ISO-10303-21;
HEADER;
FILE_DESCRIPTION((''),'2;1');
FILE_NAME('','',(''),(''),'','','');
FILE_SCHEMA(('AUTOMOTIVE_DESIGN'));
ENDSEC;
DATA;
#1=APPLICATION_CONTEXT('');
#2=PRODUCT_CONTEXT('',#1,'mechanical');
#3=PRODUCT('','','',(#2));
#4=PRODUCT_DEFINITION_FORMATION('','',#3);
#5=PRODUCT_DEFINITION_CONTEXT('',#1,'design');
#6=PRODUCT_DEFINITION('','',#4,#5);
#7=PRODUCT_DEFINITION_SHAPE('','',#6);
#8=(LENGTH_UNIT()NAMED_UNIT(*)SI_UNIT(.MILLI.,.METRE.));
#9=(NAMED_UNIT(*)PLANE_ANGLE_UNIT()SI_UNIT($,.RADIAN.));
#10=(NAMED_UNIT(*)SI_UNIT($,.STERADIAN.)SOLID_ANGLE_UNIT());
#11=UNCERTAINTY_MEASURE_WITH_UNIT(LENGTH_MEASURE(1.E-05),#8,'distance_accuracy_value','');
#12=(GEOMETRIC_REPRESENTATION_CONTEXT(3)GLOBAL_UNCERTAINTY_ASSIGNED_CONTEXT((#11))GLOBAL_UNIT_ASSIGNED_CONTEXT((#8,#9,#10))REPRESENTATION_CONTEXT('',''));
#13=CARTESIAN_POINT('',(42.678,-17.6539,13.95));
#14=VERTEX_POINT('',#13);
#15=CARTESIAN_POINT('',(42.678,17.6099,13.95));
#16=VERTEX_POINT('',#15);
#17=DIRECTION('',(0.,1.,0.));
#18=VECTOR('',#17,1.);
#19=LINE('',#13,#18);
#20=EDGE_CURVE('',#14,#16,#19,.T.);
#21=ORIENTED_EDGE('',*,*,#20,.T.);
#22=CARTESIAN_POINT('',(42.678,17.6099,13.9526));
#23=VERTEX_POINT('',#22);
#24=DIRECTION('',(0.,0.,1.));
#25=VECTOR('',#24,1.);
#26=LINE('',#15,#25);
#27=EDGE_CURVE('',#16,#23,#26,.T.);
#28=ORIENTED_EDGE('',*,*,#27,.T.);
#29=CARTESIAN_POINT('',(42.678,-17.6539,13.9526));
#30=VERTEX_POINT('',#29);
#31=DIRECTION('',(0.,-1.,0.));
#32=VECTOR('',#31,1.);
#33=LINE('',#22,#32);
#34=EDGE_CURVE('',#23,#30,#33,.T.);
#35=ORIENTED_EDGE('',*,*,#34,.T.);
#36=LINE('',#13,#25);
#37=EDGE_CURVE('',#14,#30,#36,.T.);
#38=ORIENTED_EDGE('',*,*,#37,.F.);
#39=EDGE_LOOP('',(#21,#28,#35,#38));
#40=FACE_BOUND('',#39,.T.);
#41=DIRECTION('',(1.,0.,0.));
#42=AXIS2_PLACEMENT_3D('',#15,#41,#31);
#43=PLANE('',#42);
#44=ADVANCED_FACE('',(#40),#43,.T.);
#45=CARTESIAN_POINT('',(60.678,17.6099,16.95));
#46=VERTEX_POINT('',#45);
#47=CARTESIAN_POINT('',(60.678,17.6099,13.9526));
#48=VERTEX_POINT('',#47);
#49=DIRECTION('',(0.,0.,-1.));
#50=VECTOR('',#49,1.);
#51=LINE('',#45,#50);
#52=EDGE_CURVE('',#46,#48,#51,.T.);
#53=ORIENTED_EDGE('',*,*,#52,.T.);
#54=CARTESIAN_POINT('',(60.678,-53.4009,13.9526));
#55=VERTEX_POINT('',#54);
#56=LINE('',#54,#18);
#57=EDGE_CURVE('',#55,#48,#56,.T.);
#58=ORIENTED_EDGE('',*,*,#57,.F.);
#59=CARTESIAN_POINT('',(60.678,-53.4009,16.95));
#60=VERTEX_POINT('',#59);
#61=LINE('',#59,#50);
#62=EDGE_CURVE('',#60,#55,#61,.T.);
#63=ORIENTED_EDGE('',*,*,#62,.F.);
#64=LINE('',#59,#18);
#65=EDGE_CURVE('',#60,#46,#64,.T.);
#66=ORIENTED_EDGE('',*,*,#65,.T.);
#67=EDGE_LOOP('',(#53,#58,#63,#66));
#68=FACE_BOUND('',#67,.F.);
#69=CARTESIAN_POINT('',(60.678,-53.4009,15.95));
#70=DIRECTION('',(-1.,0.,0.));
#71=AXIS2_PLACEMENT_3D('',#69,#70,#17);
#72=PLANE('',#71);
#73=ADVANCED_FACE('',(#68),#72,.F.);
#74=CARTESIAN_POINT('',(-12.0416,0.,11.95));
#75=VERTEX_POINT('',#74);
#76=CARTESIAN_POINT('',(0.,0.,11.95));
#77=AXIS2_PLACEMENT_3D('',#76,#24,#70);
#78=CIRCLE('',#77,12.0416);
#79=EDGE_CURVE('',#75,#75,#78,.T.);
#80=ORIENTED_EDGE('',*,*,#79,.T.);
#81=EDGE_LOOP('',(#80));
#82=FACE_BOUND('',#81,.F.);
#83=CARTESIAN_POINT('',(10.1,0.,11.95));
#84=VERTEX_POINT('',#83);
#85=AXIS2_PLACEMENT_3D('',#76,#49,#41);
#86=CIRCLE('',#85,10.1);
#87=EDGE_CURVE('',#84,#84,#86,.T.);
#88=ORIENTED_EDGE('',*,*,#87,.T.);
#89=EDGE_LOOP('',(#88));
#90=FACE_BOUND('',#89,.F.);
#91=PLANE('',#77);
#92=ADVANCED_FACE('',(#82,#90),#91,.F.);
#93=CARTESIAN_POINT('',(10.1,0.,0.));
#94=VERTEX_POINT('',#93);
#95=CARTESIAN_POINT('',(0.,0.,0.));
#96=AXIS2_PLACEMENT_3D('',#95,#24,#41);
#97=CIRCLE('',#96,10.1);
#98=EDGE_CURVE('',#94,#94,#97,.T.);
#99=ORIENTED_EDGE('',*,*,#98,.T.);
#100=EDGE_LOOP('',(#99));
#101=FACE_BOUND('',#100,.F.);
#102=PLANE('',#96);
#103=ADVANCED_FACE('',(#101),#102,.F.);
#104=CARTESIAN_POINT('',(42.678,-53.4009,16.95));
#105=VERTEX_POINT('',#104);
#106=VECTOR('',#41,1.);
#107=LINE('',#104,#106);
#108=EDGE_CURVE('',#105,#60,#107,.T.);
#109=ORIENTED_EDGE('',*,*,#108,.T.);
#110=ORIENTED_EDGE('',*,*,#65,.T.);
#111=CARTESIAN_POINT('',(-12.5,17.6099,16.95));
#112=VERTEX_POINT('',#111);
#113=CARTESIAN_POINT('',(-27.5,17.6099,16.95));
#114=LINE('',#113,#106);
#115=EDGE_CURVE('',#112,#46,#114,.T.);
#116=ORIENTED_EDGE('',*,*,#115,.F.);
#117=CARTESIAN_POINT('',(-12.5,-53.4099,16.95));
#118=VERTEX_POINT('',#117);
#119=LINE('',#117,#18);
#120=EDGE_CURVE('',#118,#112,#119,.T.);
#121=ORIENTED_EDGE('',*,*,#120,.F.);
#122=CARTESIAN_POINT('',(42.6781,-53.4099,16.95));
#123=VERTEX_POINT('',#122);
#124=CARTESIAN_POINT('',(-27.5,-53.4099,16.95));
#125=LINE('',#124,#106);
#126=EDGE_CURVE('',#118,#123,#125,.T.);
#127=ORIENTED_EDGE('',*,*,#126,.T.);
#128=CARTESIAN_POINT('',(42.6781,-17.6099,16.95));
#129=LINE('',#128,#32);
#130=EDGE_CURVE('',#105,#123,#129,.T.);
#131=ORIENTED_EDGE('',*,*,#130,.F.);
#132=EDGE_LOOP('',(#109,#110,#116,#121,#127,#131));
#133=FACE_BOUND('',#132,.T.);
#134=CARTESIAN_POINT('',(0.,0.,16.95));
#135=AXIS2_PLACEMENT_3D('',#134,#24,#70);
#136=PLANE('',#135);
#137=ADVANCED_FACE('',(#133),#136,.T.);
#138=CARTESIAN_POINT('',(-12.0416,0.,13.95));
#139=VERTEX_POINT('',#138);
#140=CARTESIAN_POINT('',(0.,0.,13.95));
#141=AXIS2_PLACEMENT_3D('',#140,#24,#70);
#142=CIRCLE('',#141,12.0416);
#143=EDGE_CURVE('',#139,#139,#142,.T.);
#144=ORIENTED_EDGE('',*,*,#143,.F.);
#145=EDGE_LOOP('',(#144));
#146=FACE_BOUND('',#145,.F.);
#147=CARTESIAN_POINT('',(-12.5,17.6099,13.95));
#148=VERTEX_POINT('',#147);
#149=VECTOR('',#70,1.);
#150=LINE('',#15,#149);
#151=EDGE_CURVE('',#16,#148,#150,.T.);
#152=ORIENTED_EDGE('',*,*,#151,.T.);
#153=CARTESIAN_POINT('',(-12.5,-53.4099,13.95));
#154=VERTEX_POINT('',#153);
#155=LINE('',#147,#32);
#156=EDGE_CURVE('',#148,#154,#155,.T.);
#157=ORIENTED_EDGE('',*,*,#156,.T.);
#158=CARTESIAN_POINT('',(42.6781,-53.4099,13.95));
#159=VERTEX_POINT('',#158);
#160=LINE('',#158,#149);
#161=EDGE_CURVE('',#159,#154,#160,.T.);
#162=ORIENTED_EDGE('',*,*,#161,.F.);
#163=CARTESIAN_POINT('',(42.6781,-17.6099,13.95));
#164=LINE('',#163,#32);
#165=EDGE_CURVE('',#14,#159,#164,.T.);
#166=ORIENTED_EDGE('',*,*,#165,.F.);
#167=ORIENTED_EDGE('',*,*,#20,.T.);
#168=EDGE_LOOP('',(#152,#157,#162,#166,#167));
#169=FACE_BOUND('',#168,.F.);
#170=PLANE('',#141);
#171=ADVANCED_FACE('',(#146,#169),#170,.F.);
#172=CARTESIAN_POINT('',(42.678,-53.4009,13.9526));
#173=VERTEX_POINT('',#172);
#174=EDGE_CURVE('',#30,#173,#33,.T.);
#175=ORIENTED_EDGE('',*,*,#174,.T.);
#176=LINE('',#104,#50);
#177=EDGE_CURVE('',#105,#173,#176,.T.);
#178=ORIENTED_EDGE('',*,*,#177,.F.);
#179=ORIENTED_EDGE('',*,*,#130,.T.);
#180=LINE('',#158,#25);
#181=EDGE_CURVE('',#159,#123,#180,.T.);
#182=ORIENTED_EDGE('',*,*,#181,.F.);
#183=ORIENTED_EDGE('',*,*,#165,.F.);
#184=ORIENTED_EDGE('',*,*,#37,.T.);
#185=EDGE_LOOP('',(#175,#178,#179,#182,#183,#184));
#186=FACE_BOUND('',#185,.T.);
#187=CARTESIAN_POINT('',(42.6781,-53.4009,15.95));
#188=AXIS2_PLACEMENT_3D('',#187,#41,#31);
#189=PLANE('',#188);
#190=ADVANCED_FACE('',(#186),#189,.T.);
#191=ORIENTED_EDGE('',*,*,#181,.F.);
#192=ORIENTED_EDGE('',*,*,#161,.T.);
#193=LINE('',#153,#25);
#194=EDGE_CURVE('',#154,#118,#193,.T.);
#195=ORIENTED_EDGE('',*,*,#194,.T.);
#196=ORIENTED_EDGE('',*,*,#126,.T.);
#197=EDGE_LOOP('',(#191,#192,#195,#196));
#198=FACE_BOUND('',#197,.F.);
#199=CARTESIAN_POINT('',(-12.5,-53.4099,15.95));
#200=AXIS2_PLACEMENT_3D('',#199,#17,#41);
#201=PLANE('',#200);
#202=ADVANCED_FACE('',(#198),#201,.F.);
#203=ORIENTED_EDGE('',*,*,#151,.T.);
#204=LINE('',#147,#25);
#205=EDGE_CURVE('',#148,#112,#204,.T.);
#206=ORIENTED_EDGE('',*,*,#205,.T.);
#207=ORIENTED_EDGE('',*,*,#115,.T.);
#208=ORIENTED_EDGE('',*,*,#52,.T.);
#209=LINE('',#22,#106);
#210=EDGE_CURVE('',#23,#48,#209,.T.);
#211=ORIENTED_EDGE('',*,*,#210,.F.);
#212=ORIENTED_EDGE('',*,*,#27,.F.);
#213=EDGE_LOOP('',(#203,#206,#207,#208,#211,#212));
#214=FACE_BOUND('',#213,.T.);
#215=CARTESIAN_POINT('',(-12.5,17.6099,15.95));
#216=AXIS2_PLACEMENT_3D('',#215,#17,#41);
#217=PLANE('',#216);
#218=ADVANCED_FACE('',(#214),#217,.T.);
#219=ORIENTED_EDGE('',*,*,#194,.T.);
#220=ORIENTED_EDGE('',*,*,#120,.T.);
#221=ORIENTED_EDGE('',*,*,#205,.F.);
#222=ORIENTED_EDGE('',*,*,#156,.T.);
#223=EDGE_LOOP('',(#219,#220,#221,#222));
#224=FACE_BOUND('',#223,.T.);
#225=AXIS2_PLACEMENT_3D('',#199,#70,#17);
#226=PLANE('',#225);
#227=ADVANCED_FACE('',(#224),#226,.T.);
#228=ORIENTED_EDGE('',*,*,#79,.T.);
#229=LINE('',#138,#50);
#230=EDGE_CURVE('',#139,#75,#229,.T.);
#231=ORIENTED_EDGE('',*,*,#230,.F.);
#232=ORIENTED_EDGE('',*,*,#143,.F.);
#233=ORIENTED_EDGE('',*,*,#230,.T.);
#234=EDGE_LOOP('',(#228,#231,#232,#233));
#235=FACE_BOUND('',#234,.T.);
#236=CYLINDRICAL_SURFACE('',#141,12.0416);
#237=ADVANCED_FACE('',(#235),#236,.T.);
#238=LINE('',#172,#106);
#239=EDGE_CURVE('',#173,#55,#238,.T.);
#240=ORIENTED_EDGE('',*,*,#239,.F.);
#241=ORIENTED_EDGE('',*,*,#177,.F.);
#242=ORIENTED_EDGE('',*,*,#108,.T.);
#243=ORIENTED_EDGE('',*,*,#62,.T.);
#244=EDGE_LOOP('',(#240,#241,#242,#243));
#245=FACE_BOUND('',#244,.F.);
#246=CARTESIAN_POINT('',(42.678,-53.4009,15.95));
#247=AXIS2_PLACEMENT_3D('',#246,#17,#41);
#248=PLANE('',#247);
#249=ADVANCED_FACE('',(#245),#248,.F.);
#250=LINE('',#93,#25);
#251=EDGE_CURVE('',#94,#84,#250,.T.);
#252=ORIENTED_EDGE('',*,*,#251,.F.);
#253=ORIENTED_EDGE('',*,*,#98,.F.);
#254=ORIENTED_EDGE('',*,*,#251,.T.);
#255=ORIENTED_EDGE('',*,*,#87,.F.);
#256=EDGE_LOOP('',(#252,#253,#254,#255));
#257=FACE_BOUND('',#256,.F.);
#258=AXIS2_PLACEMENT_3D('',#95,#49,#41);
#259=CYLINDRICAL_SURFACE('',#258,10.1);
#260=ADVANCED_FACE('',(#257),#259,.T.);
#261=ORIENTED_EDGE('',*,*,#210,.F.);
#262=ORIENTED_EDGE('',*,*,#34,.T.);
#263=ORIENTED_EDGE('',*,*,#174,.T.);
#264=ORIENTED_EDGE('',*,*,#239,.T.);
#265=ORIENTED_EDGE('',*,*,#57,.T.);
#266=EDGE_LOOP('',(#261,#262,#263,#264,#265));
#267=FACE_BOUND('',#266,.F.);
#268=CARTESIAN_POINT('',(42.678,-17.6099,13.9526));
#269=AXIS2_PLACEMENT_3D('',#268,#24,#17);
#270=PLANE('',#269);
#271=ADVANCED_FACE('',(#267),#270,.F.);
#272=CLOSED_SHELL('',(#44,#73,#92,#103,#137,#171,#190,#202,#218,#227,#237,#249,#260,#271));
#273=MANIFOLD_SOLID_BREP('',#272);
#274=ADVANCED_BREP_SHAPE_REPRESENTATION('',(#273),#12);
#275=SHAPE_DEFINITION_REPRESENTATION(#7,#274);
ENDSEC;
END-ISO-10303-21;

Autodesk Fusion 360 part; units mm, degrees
sketch "Sketch1" plane through (0, 0, 0) normal (0, 0, 1) x (1, 0, 0)
  circle A0 centre (0, 0) radius 10.1
  dimension "d1" = 20.2
extrude "Extrude1" add sketch "Sketch1" along normal blind 13.95
sketch "Sketch2" plane through (0, 0, 13.95) normal (0, 0, 1) x (-1, 0, 0)
  circle A0 centre (0, 0) radius 10.1
  circle A1 centre (0, 0) radius 17.5
  line L0 (-27.5, -17.6099) -> (27.5, -17.6099)
  line L1 (27.5, -17.6099) -> (27.5, 17.6099)
  line L2 (27.5, 17.6099) -> (-27.5, 17.6099)
  line L3 (-27.5, 17.6099) -> (-27.5, -17.6099)
  line L4 (-27.5, -17.6099) -> (27.5, 17.6099) construction
  line L5 (27.5, -17.6099) -> (-27.5, 17.6099) construction
  line L6 (-27.5, -17.6099) -> (-42.678, -17.6099)
  line L7 (-42.678, -17.6099) -> (-42.678, 17.6539)
  line L8 (-42.678, 17.6539) -> (-27.5, 17.6539)
  line L9 (-27.5, 17.6539) -> (-27.5, -17.6099)
  dimension "d4" = 35
  dimension "d7" = 55
extrude "Extrude2" add sketch "Sketch2" along normal blind 2 contours A0 | A1
extrude "Extrude3" add sketch "Sketch2" along normal blind 2 contours L0 L1 L2 L3 L9
sketch "Sketch3" plane through (0, 0, 13.95) normal (0, 0, 1) x (-1, 0, 0)
  circle A0 centre (11.0543, 10.2607) radius 1.5
  dimension "d10" = 3
extrude "Extrude4" add sketch "Sketch2" along normal blind 2 contours L3 L6 L7 L8 L9
sketch "Sketch5" plane through (0, -17.6099, 0) normal (0, -1, 0) x (1, 0, 0)
  line L0 (-27.5, 13.95) -> (27.5, 13.95)
  line L1 (27.5, 13.95) -> (27.5, 15.95)
  line L2 (27.5, 15.95) -> (-27.5, 15.95)
  line L3 (-27.5, 15.95) -> (-27.5, 13.95)
  line L4 (-27.5, 15.95) -> (42.6781, 15.95)
  line L5 (42.6781, 15.95) -> (42.6781, 13.95)
  line L6 (42.6781, 13.95) -> (-27.5, 13.95)
  line L7 (-27.5, 13.95) -> (-27.5, 15.95)
extrude "Extrude5" add sketch "Sketch5" along normal blind 35.8
sketch "Sketch6" plane through (42.678, 0, 0) normal (1, 0, 0) x (0, 1, 0)
  line L0 (-17.6099, 15.95) -> (-17.6099, 13.95)
  line L1 (-17.6099, 13.95) -> (17.6099, 13.95)
  line L2 (17.6099, 13.95) -> (17.6099, 15.95)
  line L3 (17.6099, 15.95) -> (-17.6099, 15.95)
  line L4 (17.6099, 15.95) -> (-53.4009, 15.95)
  line L5 (-53.4009, 15.95) -> (-53.4009, 13.9526)
  line L6 (-53.4009, 13.9526) -> (17.6099, 13.9526)
  line L7 (17.6099, 13.9526) -> (17.6099, 15.95)
extrude "Extrude6" add sketch "Sketch6" along normal blind 18 contours L0 L2 L3 L4 L6 L7 | L0 L4 L5 L6
sketch "Sketch7" plane through (-27.5, 0, 0) normal (-1, 0, 0) x (0, -1, 0)
  line L0 (-17.6099, 13.95) -> (53.4099, 13.95)
  line L1 (53.4099, 13.95) -> (53.4099, 15.95)
  line L2 (53.4099, 15.95) -> (-17.6099, 15.95)
  line L3 (-17.6099, 15.95) -> (-17.6099, 13.95)
  line L4 (-17.6099, 15.95) -> (53.4099, 15.95)
  line L5 (53.4099, 15.95) -> (53.4099, 13.95)
  line L6 (53.4099, 13.95) -> (-17.6099, 13.95)
  line L7 (-17.6099, 13.95) -> (-17.6099, 15.95)
extrude "Extrude7" cut sketch "Sketch7" against normal blind 15
sketch "Sketch8" plane through (0, 0, 13.95) normal (0, 0, 1) x (-1, 0, 0)
  circle A0 centre (0, 0) radius 12.0416
extrude "Extrude8" add sketch "Sketch8" against normal blind 2
extrude "Extrude9" add 1 faces at (30.2854, -6.0604, 15.95) along direction (0, 0, 1) blind 1
